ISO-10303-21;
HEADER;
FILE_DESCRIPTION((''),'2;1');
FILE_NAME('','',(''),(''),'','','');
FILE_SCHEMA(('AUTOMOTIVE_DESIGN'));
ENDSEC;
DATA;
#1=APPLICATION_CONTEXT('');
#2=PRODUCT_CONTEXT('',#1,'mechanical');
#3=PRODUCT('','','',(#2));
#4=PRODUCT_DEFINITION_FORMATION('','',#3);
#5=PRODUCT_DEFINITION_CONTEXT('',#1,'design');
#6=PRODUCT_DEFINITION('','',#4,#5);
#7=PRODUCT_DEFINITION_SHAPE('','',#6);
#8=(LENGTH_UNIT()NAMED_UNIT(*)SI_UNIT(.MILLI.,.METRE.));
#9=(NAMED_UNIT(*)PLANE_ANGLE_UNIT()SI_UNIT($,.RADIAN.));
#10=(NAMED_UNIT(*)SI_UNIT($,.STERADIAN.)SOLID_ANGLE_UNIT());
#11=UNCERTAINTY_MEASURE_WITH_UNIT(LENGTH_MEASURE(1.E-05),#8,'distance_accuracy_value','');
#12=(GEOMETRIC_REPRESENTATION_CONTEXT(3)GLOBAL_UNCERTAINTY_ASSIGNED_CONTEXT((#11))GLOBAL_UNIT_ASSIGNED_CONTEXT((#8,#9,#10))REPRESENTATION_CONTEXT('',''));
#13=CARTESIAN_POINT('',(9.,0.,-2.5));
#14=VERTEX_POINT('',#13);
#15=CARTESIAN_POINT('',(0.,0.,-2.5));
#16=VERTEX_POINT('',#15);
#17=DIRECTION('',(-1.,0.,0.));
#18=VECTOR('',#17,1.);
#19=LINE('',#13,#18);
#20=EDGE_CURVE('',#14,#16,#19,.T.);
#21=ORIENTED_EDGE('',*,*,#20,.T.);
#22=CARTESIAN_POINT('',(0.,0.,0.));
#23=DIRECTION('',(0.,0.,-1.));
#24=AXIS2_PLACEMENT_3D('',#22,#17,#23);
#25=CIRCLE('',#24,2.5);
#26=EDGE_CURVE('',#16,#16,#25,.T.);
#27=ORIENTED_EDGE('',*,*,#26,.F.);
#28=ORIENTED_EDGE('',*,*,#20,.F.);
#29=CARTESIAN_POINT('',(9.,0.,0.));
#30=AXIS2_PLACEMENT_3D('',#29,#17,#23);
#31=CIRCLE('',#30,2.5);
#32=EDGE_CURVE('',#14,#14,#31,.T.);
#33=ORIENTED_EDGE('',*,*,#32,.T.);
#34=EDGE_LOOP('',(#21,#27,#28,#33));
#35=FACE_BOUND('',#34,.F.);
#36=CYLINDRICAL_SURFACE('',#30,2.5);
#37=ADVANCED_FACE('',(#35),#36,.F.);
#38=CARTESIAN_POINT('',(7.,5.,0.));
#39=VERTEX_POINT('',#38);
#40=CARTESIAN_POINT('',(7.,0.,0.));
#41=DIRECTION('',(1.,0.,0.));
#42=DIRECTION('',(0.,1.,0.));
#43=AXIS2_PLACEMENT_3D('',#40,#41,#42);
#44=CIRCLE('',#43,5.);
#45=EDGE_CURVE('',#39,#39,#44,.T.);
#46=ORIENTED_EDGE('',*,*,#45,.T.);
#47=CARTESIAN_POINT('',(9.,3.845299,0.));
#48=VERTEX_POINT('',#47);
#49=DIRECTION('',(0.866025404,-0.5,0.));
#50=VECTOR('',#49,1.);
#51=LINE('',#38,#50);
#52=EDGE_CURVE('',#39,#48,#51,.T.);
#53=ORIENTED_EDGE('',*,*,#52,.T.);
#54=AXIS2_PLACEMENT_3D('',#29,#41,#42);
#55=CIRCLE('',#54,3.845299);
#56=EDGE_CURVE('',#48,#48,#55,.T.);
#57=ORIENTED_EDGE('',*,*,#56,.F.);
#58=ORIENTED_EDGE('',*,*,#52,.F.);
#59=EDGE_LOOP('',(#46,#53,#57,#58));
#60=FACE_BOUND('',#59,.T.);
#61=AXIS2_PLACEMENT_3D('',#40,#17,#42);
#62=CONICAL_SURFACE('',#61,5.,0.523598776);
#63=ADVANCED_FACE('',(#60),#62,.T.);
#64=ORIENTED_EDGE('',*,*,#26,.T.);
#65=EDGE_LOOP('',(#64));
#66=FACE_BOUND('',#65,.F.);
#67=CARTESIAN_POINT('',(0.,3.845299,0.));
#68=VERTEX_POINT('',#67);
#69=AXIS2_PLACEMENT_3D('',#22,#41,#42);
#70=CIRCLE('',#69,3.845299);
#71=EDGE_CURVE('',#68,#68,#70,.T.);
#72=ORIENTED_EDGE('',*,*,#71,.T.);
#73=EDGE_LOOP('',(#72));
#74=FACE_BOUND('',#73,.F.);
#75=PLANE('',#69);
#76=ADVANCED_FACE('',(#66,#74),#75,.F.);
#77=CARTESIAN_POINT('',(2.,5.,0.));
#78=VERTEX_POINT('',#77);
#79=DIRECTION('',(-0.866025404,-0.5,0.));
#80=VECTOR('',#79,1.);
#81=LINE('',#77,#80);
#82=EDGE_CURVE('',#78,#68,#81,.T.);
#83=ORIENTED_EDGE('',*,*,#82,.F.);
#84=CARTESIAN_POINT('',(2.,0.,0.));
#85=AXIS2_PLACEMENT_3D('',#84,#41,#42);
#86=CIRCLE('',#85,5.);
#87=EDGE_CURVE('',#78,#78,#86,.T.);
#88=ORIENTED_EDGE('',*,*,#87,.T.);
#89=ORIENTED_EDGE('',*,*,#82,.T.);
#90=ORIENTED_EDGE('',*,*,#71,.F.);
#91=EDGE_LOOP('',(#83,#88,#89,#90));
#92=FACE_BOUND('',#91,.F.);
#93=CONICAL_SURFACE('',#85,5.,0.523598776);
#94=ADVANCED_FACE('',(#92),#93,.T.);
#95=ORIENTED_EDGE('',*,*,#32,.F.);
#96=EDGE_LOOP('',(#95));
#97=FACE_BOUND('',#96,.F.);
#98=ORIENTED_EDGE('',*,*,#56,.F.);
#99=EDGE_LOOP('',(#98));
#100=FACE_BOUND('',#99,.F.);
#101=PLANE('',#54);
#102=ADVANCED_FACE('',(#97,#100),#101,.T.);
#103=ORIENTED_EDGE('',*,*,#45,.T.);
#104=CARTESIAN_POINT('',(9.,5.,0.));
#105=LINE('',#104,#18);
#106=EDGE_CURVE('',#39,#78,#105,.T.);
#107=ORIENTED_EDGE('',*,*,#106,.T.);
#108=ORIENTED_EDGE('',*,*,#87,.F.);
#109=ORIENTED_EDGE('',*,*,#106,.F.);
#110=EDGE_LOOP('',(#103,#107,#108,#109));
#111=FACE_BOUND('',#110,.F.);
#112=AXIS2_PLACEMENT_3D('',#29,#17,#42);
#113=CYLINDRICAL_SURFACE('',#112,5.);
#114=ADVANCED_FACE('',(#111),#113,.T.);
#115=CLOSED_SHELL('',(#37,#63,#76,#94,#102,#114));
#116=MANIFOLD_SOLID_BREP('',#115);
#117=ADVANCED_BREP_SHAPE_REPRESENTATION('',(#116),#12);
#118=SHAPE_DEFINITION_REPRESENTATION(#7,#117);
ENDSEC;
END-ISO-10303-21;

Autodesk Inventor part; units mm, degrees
ref_plane "YZ Plane" through (0, 0, 0) normal (1, 0, 0) x (0, 1, 0)
ref_plane "XZ Plane" through (0, 0, 0) normal (0, 1, 0) x (-1, 0, 0)
ref_plane "XY Plane" through (0, 0, 0) normal (0, 0, 1) x (1, 0, 0)
sketch "Boceto1" plane through (0, 0, 0) normal (0, 0, 1) x (1, 0, 0)
  line L0 (0, 0) -> (9, 0)
  line L1 (9, 0) -> (9, 5)
  line L2 (9, 5) -> (0, 5)
  line L3 (0, 5) -> (0, 0)
  line L4 (-11.6146, 0) -> (11.6146, 0)
  line L5 (0, 0) -> (0, 2.5)
  line L6 (0, 2.5) -> (2.5247, -1.873)
  dimension "d0" = 9
  dimension "d1" = 5
  dimension "d3" = 2.5
  dimension "d4" = 5
  dimension "d5" = 30
revolve "Revolución1" add sketch "Boceto1" angle 360 about axis through (-11.6146, 0, 0) along (1, 0, 0)
chamfer "Chaflán1" distance 2 angle 30 2 edges at (0, -5, 0) (9, -5, 0) measured on face at (6, 4.9838, -0.4023)
sketch "Boceto2" plane through (9, 0, 0) normal (1, 0, 0) x (0, 0, -1)
  circle A0 centre (0, 0) radius 5 projected
  point P0 (0, 0)
hole "Agujero1" at (9, 0, 0) direction (-1, 0, 0) diameter 5 end through all
properties part number "hudson1-37"
